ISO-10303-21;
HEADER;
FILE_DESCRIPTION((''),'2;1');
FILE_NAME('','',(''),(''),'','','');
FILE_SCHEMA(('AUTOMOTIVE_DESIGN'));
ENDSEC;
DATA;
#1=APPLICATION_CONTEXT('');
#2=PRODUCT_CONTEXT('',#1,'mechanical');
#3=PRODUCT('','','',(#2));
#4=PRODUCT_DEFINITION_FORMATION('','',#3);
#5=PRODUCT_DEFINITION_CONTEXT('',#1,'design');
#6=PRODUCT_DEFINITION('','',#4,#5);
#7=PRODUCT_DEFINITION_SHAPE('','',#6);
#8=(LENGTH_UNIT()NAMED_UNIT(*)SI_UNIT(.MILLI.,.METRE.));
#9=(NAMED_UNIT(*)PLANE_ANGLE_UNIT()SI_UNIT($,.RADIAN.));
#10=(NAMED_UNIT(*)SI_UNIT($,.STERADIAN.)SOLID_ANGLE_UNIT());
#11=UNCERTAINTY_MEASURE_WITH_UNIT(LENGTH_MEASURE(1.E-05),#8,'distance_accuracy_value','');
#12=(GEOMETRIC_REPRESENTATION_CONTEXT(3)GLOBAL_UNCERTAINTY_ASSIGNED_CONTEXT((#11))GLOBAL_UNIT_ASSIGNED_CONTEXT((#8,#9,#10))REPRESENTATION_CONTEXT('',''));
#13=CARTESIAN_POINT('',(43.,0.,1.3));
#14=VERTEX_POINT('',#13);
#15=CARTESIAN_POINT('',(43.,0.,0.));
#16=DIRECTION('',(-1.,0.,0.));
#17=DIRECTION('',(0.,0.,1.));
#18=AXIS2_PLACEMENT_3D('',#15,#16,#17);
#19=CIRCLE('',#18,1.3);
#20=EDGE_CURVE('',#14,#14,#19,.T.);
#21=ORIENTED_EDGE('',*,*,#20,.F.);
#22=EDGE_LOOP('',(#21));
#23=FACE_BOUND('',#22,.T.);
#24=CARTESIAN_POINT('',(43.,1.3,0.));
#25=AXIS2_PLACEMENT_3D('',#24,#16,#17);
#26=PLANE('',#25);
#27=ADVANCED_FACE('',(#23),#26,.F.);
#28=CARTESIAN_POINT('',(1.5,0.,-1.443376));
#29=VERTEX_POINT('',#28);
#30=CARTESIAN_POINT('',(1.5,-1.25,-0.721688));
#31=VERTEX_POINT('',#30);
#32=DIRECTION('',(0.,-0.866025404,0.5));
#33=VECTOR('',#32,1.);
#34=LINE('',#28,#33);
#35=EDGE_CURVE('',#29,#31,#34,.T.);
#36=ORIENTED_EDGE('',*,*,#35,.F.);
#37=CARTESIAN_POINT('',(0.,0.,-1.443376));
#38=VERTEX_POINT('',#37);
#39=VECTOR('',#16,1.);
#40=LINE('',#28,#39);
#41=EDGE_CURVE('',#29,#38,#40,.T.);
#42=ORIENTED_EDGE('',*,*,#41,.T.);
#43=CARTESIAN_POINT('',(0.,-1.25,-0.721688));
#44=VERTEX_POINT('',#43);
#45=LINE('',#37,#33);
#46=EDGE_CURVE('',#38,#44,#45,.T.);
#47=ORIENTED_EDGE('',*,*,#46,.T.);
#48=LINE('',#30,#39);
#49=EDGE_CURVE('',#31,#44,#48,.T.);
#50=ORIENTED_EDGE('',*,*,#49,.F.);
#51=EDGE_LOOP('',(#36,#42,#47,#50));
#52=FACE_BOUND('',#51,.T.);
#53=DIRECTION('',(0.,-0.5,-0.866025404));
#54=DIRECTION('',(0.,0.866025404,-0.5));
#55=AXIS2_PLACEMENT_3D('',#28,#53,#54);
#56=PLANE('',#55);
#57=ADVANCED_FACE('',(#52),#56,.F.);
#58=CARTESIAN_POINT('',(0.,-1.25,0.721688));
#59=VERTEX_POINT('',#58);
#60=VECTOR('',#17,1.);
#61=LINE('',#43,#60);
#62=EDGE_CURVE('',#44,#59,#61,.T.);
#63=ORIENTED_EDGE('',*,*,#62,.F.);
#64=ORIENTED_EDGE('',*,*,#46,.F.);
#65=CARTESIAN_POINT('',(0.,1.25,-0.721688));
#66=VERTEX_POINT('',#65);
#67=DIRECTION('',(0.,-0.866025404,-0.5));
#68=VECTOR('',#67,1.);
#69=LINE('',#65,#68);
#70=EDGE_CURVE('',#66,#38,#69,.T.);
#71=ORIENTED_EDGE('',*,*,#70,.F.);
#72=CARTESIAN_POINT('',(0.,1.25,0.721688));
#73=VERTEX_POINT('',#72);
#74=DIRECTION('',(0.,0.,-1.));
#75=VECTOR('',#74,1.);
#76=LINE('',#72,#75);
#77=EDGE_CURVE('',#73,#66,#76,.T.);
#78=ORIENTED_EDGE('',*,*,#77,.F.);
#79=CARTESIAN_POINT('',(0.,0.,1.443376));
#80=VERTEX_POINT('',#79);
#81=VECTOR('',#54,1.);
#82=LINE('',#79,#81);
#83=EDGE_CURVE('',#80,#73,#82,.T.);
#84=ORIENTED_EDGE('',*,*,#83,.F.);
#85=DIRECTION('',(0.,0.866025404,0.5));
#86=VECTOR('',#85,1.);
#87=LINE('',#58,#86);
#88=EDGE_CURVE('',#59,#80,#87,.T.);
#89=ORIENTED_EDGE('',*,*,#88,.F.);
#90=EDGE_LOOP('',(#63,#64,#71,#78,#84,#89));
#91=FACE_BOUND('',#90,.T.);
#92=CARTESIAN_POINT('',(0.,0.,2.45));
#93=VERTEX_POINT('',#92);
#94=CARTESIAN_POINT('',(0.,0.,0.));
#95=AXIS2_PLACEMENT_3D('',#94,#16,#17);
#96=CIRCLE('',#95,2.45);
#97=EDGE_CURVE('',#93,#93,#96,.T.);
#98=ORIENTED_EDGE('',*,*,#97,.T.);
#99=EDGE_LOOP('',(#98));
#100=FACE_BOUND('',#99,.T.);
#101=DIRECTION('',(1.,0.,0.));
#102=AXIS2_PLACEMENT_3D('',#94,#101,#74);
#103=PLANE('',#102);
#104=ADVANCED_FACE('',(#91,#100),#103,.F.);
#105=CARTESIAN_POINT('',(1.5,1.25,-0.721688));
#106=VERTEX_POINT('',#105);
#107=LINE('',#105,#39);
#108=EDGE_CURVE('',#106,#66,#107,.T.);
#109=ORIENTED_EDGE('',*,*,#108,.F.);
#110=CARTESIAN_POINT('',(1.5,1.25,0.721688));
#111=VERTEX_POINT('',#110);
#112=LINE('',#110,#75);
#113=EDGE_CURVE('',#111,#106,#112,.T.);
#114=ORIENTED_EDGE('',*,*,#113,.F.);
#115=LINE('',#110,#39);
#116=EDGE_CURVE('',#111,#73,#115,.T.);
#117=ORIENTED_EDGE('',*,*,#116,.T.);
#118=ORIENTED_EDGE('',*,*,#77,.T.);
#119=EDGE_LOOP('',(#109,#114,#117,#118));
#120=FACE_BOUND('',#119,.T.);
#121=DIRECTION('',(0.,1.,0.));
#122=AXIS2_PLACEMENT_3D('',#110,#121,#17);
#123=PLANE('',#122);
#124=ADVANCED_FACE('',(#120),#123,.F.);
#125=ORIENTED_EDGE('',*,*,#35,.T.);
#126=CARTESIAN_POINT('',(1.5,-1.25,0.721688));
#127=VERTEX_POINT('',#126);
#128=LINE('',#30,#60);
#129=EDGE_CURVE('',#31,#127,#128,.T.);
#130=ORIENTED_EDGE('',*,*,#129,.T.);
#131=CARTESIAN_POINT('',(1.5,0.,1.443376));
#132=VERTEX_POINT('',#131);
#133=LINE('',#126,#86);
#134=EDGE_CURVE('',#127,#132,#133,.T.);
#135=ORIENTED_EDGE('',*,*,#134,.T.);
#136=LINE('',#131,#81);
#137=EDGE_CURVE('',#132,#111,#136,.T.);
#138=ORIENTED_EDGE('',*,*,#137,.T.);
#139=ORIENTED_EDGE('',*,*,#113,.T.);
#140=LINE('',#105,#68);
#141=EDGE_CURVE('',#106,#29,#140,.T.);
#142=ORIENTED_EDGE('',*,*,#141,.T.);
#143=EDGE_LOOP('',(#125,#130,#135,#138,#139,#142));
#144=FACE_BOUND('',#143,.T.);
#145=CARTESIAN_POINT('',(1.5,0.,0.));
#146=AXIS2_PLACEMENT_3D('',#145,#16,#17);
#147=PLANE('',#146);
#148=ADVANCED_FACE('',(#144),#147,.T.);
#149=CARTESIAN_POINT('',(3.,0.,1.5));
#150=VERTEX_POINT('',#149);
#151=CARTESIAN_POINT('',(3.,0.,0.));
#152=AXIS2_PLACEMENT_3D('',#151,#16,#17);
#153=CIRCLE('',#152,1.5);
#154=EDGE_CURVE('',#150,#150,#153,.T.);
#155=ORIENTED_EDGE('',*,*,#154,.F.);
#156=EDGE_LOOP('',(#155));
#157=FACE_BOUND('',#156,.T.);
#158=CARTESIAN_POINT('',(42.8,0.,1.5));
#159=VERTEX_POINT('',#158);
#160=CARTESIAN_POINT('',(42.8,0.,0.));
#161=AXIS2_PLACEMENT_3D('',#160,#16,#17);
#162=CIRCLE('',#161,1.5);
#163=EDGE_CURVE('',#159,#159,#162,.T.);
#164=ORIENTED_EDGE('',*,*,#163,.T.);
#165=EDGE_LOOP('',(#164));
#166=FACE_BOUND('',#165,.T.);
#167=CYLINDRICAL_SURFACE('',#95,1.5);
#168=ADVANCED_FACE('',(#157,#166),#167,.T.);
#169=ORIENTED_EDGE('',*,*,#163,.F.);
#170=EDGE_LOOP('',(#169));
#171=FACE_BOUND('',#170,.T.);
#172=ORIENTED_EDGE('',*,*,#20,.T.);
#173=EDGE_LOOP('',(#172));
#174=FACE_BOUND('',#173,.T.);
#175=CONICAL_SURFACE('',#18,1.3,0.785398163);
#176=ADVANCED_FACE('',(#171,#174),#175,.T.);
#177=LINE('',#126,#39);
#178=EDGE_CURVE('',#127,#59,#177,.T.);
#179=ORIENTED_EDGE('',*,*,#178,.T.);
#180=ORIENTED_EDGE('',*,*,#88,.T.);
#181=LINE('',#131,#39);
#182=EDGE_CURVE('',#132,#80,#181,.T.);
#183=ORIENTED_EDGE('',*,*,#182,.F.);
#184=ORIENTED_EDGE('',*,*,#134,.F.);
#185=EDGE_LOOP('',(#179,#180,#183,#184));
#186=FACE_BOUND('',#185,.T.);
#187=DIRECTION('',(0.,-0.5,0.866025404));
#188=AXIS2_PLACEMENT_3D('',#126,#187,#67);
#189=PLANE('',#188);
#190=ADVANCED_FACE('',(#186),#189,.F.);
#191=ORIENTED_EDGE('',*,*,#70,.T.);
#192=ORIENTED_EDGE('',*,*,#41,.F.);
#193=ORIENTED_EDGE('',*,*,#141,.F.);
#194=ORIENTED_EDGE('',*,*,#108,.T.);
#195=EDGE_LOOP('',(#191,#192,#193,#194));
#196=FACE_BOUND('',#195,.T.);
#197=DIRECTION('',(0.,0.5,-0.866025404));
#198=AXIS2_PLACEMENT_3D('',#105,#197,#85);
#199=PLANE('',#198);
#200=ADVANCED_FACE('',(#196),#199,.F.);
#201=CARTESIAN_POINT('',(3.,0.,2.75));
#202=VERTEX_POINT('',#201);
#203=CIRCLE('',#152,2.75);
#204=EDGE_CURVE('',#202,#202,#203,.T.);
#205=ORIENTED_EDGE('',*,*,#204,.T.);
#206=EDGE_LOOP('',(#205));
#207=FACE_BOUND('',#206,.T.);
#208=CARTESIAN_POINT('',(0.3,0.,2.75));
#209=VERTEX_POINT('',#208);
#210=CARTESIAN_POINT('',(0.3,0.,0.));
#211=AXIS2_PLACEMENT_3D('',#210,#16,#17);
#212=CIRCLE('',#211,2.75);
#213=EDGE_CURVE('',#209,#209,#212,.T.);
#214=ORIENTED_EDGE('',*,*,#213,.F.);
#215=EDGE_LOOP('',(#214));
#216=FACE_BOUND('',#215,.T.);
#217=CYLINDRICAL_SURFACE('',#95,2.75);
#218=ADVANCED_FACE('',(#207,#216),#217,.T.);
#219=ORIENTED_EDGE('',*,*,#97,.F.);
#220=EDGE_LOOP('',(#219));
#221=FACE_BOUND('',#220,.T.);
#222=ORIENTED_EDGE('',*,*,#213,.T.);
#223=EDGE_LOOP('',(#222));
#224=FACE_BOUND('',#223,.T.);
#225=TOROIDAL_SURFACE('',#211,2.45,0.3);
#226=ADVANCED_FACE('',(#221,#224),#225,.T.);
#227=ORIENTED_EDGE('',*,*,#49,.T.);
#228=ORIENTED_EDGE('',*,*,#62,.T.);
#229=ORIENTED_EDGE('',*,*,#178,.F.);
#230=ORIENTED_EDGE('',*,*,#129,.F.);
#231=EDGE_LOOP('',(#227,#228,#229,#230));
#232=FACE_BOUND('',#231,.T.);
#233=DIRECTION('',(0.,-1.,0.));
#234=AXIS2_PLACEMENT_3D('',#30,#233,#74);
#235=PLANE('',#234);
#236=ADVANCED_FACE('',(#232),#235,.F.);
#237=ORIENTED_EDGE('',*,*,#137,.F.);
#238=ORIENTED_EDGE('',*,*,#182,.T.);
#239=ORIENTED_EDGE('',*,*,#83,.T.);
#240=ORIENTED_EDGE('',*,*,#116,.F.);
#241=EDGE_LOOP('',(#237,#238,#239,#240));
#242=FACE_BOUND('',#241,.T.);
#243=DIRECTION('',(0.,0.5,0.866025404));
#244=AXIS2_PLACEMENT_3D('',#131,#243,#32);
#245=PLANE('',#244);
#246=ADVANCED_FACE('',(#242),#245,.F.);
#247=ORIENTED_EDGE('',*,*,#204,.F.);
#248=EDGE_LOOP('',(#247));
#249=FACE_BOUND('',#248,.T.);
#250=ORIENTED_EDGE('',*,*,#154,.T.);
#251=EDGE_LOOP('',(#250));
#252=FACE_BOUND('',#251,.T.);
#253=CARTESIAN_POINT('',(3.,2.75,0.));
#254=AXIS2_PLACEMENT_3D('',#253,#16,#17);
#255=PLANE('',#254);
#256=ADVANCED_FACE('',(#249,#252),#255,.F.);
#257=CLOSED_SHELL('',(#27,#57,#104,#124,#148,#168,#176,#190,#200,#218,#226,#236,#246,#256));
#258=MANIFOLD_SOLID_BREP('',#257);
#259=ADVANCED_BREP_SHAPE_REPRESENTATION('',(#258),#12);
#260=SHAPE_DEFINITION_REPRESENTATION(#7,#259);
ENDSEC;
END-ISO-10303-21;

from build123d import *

# Parameters (mm, degrees)
SCHNITT_LINEAR_AUSTRAGEN1_DEPTH = 1.5


with BuildPart() as part:
    # Skizze1 → Rotation1 (revolve)
    with BuildSketch(Plane.XY):
        with BuildLine():
            Line((0, 0), (0, 2.45))
            ThreePointArc((0, 2.45), (0.087867966, 2.662132034), (0.3, 2.75))
            Line((0.3, 2.75), (3, 2.75))
            Line((3, 2.75), (3, 1.5))
            Line((3, 1.5), (42.8, 1.5))
            Line((42.8, 1.5), (43, 1.3))
            Line((43, 1.3), (43, 0))
            Line((43, 0), (0, 0))
        make_face()
    revolve(axis=Axis((0, 0, 0), (1, 0, 0)))

    # Skizze2 → Schnitt-Linear austragen1 (cut)
    with BuildSketch(Plane.ZY):
        Polygon((1.443375673, 0), (0.721687836, 1.25), (-0.721687836, 1.25), (-1.443375673, 0), (-0.721687836, -1.25), (0.721687836, -1.25), align=None)
    extrude(amount=-SCHNITT_LINEAR_AUSTRAGEN1_DEPTH, mode=Mode.SUBTRACT)


solid = part.part
